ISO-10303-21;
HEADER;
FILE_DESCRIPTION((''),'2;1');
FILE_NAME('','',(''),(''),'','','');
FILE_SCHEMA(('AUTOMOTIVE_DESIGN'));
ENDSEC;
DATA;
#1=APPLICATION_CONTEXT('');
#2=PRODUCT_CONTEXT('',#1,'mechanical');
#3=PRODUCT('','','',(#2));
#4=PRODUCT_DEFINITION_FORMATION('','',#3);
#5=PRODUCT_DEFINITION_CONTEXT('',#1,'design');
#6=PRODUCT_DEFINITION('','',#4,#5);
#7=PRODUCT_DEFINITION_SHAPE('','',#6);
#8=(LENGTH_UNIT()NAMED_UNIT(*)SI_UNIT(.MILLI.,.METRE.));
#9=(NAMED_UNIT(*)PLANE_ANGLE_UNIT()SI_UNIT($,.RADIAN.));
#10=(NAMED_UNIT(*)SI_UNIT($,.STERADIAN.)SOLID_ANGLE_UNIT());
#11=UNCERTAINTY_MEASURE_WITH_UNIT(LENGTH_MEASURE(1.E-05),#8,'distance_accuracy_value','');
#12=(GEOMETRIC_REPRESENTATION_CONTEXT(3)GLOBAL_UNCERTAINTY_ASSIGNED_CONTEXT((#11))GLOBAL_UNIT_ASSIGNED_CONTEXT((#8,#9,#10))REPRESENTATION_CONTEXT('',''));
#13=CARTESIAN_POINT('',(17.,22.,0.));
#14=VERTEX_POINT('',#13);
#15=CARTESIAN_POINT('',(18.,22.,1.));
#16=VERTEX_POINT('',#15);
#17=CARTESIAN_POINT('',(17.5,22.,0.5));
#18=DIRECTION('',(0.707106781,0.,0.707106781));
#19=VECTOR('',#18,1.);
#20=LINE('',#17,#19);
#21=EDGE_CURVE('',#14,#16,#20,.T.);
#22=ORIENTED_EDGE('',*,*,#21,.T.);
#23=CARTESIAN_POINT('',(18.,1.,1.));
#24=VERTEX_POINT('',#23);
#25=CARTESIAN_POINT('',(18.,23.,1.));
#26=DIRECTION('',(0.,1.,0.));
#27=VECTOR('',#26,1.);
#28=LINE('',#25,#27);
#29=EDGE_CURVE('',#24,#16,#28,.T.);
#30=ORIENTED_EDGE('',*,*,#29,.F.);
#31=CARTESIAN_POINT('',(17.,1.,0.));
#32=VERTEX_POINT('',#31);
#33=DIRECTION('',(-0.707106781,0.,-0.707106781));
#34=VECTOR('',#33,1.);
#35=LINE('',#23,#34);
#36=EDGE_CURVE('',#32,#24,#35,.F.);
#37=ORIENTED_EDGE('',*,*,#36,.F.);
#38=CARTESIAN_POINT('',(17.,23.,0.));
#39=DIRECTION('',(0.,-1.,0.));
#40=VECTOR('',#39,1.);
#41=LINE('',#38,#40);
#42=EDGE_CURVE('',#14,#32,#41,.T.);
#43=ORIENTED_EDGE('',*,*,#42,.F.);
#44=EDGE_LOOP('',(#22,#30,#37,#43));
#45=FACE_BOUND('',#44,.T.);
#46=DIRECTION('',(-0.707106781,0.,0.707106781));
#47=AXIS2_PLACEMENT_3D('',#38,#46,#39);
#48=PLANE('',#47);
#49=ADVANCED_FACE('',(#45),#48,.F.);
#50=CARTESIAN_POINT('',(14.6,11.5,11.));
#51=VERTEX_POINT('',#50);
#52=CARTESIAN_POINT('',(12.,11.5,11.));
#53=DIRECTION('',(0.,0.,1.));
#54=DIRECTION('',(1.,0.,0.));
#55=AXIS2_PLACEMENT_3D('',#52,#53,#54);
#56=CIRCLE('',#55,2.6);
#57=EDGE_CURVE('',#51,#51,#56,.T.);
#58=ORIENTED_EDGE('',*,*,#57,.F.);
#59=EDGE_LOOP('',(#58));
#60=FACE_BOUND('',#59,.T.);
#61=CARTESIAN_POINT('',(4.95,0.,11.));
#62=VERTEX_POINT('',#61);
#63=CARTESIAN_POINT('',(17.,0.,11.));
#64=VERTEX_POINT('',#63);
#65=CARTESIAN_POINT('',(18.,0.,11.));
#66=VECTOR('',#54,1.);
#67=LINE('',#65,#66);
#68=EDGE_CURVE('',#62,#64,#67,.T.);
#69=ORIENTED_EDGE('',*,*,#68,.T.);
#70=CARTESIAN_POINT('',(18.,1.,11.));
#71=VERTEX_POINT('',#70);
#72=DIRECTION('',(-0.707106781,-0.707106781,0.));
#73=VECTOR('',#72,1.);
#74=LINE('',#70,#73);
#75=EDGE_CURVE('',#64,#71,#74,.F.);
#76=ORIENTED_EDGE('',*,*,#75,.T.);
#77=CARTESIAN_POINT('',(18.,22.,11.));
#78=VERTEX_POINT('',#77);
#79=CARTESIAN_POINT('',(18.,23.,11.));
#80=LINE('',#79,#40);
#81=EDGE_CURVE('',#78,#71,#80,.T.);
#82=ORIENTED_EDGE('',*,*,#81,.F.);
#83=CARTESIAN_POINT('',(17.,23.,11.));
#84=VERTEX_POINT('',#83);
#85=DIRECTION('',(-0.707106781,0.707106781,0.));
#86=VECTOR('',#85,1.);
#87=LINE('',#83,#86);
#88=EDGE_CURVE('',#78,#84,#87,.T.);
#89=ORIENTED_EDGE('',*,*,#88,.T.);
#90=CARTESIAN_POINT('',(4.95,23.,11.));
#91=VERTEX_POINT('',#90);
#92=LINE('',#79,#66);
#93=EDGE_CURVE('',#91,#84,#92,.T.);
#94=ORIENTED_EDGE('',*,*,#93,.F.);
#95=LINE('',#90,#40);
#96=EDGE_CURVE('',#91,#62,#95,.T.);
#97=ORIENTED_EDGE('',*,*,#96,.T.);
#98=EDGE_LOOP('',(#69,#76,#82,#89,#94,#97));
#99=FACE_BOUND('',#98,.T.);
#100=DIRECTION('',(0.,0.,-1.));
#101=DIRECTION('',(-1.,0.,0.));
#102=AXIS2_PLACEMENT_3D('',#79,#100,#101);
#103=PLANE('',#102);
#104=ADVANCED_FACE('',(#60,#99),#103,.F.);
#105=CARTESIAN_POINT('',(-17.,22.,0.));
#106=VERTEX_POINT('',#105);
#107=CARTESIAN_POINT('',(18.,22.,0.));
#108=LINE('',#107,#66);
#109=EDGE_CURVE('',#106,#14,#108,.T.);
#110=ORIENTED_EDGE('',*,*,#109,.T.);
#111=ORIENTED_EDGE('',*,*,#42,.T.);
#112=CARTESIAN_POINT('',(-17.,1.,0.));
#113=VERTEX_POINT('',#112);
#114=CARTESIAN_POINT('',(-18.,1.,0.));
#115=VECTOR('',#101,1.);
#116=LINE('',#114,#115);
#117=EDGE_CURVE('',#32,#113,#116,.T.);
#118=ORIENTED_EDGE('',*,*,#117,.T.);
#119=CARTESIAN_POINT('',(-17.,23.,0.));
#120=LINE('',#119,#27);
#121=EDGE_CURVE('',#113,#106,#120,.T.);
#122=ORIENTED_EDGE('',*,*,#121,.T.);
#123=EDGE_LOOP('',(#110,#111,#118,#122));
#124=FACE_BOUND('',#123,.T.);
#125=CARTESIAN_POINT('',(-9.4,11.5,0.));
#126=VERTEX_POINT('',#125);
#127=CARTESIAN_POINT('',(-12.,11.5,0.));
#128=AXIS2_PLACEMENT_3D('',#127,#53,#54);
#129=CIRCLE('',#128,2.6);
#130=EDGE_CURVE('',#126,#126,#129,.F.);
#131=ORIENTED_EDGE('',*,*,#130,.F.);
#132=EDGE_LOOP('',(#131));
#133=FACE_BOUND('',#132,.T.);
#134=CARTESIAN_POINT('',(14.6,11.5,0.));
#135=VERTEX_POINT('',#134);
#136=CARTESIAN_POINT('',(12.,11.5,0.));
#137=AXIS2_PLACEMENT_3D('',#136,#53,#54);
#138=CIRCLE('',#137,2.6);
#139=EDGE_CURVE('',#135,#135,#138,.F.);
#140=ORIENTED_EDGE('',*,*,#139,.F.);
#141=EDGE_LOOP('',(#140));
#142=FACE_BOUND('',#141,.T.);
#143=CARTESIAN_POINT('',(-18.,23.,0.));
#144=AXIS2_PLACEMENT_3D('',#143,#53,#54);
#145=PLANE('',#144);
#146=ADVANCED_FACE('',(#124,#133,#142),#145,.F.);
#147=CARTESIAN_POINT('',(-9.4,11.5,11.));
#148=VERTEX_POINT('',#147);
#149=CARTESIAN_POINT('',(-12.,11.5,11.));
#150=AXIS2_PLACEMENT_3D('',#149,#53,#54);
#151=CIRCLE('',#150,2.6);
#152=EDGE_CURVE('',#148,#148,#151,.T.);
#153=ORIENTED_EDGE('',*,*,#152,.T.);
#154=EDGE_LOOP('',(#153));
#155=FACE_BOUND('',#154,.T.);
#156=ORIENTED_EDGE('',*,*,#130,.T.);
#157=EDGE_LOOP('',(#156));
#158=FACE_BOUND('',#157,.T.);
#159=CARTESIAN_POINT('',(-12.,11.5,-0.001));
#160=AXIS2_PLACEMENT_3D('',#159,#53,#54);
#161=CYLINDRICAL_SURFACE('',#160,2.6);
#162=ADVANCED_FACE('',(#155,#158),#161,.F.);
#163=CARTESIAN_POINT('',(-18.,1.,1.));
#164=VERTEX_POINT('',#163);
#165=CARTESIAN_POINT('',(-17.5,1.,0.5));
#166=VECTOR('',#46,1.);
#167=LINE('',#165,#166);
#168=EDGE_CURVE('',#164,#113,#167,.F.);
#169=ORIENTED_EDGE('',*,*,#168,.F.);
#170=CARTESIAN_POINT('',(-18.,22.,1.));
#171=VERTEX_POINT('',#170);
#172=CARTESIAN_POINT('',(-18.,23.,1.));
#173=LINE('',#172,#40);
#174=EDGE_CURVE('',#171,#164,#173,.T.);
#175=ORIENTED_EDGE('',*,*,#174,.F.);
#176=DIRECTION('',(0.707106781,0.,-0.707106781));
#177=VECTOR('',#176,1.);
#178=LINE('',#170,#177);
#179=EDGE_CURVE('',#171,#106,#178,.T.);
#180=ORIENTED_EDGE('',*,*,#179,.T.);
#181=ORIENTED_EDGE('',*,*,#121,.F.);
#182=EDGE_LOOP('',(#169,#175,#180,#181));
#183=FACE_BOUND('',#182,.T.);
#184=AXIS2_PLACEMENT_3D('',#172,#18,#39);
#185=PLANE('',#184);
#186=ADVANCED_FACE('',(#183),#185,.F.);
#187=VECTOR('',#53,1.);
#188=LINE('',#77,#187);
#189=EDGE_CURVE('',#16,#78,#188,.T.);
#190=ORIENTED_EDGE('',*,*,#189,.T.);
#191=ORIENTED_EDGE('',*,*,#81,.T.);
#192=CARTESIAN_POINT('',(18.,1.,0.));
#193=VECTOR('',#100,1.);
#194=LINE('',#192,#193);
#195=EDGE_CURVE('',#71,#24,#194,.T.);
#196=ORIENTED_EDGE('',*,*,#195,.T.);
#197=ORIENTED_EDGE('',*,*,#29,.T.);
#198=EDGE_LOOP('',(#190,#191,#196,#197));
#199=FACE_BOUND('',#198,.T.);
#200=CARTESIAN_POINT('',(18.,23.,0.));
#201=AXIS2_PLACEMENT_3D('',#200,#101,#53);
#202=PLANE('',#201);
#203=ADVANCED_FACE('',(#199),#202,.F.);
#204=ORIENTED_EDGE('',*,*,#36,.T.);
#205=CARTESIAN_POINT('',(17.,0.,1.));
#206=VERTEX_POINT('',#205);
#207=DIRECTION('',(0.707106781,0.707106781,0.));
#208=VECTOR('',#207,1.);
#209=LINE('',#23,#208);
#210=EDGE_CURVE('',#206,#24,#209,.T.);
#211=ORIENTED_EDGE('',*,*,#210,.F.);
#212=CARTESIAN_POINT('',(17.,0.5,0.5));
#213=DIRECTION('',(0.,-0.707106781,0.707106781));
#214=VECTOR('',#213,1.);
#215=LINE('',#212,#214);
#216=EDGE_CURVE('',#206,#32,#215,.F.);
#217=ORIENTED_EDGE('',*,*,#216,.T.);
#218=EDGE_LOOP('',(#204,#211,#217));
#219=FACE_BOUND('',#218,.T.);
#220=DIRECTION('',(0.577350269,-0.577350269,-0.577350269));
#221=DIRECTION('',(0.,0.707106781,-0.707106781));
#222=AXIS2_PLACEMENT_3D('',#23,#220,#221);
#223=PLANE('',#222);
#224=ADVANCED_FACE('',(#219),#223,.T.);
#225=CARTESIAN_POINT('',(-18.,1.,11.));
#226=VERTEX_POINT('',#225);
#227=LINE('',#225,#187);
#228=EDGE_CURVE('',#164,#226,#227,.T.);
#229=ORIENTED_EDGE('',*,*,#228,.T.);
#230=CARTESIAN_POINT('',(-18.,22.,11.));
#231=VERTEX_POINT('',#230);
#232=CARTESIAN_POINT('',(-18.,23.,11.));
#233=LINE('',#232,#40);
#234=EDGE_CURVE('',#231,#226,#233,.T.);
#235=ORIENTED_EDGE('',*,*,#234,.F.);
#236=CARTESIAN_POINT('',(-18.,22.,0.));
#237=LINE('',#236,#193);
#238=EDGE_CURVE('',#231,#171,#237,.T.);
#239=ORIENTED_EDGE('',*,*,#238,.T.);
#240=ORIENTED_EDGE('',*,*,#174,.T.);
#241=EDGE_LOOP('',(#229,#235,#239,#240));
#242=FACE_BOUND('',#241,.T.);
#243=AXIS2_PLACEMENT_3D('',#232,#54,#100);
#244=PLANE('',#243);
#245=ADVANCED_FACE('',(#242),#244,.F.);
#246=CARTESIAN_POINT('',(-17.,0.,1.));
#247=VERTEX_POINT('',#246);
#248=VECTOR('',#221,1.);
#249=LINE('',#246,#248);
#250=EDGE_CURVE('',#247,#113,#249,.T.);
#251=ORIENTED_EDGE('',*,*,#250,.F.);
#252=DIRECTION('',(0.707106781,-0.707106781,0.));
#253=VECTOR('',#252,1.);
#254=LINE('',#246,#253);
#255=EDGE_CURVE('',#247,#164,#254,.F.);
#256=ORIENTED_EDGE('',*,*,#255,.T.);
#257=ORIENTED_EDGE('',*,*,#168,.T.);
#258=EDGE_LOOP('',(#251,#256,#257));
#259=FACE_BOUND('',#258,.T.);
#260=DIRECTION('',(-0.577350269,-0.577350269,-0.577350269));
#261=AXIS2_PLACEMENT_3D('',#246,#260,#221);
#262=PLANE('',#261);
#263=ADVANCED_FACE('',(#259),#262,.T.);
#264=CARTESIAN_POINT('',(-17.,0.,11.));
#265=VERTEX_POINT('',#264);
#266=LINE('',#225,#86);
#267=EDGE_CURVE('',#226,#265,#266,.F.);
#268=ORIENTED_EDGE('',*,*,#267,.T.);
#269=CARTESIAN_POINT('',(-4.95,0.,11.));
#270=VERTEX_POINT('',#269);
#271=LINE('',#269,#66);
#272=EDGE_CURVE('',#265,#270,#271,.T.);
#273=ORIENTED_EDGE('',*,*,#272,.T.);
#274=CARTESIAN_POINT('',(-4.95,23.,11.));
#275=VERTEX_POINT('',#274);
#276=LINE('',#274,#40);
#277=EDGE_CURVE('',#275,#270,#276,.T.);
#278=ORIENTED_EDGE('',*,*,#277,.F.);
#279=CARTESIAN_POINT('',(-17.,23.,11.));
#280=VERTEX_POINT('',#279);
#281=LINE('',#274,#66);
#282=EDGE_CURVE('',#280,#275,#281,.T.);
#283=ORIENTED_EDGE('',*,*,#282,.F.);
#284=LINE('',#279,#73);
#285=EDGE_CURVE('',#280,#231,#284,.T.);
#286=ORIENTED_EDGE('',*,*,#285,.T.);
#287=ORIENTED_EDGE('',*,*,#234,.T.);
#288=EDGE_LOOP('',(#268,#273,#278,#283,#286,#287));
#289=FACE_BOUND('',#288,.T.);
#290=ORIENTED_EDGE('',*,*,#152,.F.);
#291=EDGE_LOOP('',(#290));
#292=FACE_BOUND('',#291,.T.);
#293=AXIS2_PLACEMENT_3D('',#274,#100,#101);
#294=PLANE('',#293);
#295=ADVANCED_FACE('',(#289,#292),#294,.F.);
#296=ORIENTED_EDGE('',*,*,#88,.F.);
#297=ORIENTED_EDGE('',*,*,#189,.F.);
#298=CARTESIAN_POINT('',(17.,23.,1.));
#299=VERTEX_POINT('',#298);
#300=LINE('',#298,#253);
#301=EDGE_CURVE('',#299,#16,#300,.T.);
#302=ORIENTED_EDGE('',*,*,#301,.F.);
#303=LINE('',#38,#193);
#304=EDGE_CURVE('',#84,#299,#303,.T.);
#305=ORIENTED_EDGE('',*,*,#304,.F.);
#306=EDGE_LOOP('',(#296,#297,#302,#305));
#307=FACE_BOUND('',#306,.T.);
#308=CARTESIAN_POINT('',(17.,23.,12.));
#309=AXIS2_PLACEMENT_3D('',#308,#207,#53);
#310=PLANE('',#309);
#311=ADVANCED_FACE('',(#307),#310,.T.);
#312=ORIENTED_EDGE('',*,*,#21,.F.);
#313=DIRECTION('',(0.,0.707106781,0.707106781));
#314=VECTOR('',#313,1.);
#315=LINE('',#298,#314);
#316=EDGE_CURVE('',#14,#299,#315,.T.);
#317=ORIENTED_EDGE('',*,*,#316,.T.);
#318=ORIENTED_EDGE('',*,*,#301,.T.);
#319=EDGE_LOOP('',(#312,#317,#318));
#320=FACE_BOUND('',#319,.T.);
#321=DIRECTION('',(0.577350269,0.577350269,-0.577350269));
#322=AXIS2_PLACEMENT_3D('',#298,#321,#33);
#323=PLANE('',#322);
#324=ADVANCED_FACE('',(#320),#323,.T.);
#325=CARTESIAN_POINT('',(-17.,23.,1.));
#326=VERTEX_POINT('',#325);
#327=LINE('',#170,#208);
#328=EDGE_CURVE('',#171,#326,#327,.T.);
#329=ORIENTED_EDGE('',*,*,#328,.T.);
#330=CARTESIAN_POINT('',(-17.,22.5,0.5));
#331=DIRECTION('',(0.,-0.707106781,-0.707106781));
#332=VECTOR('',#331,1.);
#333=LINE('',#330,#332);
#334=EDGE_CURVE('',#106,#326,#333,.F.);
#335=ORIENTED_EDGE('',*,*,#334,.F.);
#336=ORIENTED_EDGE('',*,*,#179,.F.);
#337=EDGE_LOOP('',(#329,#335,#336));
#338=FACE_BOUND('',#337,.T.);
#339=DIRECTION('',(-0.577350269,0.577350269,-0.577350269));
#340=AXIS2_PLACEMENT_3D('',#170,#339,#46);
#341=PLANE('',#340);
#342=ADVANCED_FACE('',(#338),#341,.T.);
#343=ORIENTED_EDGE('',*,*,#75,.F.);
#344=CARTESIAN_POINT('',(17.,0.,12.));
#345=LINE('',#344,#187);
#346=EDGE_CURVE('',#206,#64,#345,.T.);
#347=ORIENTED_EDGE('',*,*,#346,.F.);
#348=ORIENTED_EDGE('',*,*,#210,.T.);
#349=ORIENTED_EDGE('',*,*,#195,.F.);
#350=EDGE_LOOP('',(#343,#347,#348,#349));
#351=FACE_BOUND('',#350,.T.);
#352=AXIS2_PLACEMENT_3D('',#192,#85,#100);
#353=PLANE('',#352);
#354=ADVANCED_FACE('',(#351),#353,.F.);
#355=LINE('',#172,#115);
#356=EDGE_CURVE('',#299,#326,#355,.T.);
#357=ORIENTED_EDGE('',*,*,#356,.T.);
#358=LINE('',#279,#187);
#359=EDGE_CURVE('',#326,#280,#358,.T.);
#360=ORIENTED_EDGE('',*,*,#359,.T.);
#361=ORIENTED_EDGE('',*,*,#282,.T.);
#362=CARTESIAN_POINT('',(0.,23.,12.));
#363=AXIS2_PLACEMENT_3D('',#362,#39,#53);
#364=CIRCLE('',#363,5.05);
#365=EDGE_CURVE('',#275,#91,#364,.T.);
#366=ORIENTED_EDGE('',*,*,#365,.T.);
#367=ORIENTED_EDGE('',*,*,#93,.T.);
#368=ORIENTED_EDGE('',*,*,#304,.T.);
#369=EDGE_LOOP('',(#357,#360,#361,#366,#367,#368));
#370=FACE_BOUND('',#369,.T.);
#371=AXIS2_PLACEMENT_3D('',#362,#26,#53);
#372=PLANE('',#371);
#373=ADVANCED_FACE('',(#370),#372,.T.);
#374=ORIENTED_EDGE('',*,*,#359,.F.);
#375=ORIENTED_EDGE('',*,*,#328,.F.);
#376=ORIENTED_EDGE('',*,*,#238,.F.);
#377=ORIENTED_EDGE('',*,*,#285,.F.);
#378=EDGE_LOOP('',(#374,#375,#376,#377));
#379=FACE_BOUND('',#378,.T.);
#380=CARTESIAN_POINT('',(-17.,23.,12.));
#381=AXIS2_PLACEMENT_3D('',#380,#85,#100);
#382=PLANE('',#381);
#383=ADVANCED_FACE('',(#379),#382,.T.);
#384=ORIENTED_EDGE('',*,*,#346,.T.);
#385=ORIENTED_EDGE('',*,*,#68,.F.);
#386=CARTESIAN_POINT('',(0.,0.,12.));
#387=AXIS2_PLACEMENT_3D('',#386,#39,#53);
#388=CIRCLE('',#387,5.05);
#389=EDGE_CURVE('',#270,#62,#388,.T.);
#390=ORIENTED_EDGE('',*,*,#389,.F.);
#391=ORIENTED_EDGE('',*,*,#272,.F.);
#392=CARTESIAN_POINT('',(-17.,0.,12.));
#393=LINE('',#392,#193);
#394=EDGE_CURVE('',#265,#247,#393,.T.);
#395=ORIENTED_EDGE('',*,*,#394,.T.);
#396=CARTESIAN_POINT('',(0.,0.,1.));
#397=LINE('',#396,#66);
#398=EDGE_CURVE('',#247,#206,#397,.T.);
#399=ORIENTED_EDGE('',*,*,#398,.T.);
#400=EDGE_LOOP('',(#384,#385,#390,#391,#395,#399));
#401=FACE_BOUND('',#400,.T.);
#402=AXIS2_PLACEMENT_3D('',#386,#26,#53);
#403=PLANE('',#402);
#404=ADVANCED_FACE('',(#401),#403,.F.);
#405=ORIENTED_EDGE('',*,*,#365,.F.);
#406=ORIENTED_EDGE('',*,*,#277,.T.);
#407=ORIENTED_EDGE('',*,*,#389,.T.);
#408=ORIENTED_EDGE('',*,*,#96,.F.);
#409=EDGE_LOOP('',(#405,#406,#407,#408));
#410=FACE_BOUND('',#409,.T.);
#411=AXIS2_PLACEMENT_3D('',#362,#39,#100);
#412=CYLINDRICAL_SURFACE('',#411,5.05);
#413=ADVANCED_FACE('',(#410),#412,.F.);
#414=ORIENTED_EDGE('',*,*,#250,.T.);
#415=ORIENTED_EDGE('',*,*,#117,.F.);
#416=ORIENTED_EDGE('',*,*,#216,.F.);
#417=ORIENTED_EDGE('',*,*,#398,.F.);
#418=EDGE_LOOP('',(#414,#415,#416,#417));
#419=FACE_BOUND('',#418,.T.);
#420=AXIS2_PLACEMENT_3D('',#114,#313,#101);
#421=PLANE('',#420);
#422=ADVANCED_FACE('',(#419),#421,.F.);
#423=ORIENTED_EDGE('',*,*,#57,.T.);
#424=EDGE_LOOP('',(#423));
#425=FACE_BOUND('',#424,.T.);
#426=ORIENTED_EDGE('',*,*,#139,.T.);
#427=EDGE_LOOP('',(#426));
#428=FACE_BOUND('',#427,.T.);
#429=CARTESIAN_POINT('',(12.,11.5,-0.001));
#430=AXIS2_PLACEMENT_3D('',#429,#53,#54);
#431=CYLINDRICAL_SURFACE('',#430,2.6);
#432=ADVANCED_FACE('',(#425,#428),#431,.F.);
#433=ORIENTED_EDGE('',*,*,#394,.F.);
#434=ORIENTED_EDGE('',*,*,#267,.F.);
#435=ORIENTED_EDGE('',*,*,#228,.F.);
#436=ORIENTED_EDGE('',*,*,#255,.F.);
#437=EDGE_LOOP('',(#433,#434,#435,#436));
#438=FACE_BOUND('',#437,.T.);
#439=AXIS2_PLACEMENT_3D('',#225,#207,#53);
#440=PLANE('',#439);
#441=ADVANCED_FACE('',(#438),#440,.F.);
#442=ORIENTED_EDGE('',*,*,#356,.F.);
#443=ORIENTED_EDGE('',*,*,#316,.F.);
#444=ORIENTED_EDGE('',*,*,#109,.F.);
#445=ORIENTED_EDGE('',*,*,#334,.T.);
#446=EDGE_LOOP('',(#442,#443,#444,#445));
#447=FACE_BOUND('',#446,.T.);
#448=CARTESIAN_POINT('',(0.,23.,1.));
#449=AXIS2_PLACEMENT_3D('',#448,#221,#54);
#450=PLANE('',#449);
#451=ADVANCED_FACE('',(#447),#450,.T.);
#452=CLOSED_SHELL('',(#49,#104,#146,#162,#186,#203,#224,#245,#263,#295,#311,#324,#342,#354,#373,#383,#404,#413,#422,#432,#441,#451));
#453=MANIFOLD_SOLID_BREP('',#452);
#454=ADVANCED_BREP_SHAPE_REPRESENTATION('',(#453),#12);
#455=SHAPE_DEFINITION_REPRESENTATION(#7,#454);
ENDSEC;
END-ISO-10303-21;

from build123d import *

# Parameters (mm, degrees)
BOSS_EXTRUDE1_DEPTH = 23
CUT_EXTRUDE1_REACH  = 13
SKETCH2_R           = 2.6
CHAMFER1_SIZE       = 1


with BuildPart() as part:
    # Sketch1 → Boss-Extrude1 (new body)
    with BuildSketch(Plane(origin=(0, 0, 0), x_dir=(1, 0, 0), z_dir=(0, 1, 0))):
        with BuildLine():
            Line((-18, 0), (18, 0))
            Line((18, 0), (18, -11))
            Line((18, -11), (4.95, -11))
            ThreePointArc((4.95, -11), (0, -6.95), (-4.95, -11))
            Line((-4.95, -11), (-18, -11))
            Line((-18, -11), (-18, 0))
        make_face()
    extrude(amount=BOSS_EXTRUDE1_DEPTH)

    # Sketch2 → Cut-Extrude1 (cut, up to next)
    with BuildSketch(Plane.XY.offset(11), mode=Mode.PRIVATE) as cut_extrude1_sk1:
        with Locations((-12, 11.5)):
            Circle(SKETCH2_R)
    cut_extrude1_tool1 = extrude(cut_extrude1_sk1.sketch, amount=-CUT_EXTRUDE1_REACH, mode=Mode.PRIVATE) & part.part
    add(cut_extrude1_tool1.solids().sort_by_distance((-12, 11.5, 11))[0], mode=Mode.SUBTRACT)
    # Sketch2 → Cut-Extrude1 (cut, up to next)
    with BuildSketch(Plane.XY.offset(11), mode=Mode.PRIVATE) as cut_extrude1_sk2:
        with Locations((12, 11.5)):
            Circle(SKETCH2_R)
    cut_extrude1_tool2 = extrude(cut_extrude1_sk2.sketch, amount=-CUT_EXTRUDE1_REACH, mode=Mode.PRIVATE) & part.part
    add(cut_extrude1_tool2.solids().sort_by_distance((12, 11.5, 11))[0], mode=Mode.SUBTRACT)

    # Chamfer1
    chamfer1_edges = [part.edges().sort_by_distance(p)[0] for p in [
        (-18, 11.5, 0),
        (18, 11.5, 0),
        (18, 23, 5.5),
        (0, 23, 0),
        (-18, 23, 5.5),
        (0, 0, 0),
        (18, 0, 5.5),
        (-18, 0, 5.5),
    ]]
    chamfer(chamfer1_edges, length=CHAMFER1_SIZE)


solid = part.part
